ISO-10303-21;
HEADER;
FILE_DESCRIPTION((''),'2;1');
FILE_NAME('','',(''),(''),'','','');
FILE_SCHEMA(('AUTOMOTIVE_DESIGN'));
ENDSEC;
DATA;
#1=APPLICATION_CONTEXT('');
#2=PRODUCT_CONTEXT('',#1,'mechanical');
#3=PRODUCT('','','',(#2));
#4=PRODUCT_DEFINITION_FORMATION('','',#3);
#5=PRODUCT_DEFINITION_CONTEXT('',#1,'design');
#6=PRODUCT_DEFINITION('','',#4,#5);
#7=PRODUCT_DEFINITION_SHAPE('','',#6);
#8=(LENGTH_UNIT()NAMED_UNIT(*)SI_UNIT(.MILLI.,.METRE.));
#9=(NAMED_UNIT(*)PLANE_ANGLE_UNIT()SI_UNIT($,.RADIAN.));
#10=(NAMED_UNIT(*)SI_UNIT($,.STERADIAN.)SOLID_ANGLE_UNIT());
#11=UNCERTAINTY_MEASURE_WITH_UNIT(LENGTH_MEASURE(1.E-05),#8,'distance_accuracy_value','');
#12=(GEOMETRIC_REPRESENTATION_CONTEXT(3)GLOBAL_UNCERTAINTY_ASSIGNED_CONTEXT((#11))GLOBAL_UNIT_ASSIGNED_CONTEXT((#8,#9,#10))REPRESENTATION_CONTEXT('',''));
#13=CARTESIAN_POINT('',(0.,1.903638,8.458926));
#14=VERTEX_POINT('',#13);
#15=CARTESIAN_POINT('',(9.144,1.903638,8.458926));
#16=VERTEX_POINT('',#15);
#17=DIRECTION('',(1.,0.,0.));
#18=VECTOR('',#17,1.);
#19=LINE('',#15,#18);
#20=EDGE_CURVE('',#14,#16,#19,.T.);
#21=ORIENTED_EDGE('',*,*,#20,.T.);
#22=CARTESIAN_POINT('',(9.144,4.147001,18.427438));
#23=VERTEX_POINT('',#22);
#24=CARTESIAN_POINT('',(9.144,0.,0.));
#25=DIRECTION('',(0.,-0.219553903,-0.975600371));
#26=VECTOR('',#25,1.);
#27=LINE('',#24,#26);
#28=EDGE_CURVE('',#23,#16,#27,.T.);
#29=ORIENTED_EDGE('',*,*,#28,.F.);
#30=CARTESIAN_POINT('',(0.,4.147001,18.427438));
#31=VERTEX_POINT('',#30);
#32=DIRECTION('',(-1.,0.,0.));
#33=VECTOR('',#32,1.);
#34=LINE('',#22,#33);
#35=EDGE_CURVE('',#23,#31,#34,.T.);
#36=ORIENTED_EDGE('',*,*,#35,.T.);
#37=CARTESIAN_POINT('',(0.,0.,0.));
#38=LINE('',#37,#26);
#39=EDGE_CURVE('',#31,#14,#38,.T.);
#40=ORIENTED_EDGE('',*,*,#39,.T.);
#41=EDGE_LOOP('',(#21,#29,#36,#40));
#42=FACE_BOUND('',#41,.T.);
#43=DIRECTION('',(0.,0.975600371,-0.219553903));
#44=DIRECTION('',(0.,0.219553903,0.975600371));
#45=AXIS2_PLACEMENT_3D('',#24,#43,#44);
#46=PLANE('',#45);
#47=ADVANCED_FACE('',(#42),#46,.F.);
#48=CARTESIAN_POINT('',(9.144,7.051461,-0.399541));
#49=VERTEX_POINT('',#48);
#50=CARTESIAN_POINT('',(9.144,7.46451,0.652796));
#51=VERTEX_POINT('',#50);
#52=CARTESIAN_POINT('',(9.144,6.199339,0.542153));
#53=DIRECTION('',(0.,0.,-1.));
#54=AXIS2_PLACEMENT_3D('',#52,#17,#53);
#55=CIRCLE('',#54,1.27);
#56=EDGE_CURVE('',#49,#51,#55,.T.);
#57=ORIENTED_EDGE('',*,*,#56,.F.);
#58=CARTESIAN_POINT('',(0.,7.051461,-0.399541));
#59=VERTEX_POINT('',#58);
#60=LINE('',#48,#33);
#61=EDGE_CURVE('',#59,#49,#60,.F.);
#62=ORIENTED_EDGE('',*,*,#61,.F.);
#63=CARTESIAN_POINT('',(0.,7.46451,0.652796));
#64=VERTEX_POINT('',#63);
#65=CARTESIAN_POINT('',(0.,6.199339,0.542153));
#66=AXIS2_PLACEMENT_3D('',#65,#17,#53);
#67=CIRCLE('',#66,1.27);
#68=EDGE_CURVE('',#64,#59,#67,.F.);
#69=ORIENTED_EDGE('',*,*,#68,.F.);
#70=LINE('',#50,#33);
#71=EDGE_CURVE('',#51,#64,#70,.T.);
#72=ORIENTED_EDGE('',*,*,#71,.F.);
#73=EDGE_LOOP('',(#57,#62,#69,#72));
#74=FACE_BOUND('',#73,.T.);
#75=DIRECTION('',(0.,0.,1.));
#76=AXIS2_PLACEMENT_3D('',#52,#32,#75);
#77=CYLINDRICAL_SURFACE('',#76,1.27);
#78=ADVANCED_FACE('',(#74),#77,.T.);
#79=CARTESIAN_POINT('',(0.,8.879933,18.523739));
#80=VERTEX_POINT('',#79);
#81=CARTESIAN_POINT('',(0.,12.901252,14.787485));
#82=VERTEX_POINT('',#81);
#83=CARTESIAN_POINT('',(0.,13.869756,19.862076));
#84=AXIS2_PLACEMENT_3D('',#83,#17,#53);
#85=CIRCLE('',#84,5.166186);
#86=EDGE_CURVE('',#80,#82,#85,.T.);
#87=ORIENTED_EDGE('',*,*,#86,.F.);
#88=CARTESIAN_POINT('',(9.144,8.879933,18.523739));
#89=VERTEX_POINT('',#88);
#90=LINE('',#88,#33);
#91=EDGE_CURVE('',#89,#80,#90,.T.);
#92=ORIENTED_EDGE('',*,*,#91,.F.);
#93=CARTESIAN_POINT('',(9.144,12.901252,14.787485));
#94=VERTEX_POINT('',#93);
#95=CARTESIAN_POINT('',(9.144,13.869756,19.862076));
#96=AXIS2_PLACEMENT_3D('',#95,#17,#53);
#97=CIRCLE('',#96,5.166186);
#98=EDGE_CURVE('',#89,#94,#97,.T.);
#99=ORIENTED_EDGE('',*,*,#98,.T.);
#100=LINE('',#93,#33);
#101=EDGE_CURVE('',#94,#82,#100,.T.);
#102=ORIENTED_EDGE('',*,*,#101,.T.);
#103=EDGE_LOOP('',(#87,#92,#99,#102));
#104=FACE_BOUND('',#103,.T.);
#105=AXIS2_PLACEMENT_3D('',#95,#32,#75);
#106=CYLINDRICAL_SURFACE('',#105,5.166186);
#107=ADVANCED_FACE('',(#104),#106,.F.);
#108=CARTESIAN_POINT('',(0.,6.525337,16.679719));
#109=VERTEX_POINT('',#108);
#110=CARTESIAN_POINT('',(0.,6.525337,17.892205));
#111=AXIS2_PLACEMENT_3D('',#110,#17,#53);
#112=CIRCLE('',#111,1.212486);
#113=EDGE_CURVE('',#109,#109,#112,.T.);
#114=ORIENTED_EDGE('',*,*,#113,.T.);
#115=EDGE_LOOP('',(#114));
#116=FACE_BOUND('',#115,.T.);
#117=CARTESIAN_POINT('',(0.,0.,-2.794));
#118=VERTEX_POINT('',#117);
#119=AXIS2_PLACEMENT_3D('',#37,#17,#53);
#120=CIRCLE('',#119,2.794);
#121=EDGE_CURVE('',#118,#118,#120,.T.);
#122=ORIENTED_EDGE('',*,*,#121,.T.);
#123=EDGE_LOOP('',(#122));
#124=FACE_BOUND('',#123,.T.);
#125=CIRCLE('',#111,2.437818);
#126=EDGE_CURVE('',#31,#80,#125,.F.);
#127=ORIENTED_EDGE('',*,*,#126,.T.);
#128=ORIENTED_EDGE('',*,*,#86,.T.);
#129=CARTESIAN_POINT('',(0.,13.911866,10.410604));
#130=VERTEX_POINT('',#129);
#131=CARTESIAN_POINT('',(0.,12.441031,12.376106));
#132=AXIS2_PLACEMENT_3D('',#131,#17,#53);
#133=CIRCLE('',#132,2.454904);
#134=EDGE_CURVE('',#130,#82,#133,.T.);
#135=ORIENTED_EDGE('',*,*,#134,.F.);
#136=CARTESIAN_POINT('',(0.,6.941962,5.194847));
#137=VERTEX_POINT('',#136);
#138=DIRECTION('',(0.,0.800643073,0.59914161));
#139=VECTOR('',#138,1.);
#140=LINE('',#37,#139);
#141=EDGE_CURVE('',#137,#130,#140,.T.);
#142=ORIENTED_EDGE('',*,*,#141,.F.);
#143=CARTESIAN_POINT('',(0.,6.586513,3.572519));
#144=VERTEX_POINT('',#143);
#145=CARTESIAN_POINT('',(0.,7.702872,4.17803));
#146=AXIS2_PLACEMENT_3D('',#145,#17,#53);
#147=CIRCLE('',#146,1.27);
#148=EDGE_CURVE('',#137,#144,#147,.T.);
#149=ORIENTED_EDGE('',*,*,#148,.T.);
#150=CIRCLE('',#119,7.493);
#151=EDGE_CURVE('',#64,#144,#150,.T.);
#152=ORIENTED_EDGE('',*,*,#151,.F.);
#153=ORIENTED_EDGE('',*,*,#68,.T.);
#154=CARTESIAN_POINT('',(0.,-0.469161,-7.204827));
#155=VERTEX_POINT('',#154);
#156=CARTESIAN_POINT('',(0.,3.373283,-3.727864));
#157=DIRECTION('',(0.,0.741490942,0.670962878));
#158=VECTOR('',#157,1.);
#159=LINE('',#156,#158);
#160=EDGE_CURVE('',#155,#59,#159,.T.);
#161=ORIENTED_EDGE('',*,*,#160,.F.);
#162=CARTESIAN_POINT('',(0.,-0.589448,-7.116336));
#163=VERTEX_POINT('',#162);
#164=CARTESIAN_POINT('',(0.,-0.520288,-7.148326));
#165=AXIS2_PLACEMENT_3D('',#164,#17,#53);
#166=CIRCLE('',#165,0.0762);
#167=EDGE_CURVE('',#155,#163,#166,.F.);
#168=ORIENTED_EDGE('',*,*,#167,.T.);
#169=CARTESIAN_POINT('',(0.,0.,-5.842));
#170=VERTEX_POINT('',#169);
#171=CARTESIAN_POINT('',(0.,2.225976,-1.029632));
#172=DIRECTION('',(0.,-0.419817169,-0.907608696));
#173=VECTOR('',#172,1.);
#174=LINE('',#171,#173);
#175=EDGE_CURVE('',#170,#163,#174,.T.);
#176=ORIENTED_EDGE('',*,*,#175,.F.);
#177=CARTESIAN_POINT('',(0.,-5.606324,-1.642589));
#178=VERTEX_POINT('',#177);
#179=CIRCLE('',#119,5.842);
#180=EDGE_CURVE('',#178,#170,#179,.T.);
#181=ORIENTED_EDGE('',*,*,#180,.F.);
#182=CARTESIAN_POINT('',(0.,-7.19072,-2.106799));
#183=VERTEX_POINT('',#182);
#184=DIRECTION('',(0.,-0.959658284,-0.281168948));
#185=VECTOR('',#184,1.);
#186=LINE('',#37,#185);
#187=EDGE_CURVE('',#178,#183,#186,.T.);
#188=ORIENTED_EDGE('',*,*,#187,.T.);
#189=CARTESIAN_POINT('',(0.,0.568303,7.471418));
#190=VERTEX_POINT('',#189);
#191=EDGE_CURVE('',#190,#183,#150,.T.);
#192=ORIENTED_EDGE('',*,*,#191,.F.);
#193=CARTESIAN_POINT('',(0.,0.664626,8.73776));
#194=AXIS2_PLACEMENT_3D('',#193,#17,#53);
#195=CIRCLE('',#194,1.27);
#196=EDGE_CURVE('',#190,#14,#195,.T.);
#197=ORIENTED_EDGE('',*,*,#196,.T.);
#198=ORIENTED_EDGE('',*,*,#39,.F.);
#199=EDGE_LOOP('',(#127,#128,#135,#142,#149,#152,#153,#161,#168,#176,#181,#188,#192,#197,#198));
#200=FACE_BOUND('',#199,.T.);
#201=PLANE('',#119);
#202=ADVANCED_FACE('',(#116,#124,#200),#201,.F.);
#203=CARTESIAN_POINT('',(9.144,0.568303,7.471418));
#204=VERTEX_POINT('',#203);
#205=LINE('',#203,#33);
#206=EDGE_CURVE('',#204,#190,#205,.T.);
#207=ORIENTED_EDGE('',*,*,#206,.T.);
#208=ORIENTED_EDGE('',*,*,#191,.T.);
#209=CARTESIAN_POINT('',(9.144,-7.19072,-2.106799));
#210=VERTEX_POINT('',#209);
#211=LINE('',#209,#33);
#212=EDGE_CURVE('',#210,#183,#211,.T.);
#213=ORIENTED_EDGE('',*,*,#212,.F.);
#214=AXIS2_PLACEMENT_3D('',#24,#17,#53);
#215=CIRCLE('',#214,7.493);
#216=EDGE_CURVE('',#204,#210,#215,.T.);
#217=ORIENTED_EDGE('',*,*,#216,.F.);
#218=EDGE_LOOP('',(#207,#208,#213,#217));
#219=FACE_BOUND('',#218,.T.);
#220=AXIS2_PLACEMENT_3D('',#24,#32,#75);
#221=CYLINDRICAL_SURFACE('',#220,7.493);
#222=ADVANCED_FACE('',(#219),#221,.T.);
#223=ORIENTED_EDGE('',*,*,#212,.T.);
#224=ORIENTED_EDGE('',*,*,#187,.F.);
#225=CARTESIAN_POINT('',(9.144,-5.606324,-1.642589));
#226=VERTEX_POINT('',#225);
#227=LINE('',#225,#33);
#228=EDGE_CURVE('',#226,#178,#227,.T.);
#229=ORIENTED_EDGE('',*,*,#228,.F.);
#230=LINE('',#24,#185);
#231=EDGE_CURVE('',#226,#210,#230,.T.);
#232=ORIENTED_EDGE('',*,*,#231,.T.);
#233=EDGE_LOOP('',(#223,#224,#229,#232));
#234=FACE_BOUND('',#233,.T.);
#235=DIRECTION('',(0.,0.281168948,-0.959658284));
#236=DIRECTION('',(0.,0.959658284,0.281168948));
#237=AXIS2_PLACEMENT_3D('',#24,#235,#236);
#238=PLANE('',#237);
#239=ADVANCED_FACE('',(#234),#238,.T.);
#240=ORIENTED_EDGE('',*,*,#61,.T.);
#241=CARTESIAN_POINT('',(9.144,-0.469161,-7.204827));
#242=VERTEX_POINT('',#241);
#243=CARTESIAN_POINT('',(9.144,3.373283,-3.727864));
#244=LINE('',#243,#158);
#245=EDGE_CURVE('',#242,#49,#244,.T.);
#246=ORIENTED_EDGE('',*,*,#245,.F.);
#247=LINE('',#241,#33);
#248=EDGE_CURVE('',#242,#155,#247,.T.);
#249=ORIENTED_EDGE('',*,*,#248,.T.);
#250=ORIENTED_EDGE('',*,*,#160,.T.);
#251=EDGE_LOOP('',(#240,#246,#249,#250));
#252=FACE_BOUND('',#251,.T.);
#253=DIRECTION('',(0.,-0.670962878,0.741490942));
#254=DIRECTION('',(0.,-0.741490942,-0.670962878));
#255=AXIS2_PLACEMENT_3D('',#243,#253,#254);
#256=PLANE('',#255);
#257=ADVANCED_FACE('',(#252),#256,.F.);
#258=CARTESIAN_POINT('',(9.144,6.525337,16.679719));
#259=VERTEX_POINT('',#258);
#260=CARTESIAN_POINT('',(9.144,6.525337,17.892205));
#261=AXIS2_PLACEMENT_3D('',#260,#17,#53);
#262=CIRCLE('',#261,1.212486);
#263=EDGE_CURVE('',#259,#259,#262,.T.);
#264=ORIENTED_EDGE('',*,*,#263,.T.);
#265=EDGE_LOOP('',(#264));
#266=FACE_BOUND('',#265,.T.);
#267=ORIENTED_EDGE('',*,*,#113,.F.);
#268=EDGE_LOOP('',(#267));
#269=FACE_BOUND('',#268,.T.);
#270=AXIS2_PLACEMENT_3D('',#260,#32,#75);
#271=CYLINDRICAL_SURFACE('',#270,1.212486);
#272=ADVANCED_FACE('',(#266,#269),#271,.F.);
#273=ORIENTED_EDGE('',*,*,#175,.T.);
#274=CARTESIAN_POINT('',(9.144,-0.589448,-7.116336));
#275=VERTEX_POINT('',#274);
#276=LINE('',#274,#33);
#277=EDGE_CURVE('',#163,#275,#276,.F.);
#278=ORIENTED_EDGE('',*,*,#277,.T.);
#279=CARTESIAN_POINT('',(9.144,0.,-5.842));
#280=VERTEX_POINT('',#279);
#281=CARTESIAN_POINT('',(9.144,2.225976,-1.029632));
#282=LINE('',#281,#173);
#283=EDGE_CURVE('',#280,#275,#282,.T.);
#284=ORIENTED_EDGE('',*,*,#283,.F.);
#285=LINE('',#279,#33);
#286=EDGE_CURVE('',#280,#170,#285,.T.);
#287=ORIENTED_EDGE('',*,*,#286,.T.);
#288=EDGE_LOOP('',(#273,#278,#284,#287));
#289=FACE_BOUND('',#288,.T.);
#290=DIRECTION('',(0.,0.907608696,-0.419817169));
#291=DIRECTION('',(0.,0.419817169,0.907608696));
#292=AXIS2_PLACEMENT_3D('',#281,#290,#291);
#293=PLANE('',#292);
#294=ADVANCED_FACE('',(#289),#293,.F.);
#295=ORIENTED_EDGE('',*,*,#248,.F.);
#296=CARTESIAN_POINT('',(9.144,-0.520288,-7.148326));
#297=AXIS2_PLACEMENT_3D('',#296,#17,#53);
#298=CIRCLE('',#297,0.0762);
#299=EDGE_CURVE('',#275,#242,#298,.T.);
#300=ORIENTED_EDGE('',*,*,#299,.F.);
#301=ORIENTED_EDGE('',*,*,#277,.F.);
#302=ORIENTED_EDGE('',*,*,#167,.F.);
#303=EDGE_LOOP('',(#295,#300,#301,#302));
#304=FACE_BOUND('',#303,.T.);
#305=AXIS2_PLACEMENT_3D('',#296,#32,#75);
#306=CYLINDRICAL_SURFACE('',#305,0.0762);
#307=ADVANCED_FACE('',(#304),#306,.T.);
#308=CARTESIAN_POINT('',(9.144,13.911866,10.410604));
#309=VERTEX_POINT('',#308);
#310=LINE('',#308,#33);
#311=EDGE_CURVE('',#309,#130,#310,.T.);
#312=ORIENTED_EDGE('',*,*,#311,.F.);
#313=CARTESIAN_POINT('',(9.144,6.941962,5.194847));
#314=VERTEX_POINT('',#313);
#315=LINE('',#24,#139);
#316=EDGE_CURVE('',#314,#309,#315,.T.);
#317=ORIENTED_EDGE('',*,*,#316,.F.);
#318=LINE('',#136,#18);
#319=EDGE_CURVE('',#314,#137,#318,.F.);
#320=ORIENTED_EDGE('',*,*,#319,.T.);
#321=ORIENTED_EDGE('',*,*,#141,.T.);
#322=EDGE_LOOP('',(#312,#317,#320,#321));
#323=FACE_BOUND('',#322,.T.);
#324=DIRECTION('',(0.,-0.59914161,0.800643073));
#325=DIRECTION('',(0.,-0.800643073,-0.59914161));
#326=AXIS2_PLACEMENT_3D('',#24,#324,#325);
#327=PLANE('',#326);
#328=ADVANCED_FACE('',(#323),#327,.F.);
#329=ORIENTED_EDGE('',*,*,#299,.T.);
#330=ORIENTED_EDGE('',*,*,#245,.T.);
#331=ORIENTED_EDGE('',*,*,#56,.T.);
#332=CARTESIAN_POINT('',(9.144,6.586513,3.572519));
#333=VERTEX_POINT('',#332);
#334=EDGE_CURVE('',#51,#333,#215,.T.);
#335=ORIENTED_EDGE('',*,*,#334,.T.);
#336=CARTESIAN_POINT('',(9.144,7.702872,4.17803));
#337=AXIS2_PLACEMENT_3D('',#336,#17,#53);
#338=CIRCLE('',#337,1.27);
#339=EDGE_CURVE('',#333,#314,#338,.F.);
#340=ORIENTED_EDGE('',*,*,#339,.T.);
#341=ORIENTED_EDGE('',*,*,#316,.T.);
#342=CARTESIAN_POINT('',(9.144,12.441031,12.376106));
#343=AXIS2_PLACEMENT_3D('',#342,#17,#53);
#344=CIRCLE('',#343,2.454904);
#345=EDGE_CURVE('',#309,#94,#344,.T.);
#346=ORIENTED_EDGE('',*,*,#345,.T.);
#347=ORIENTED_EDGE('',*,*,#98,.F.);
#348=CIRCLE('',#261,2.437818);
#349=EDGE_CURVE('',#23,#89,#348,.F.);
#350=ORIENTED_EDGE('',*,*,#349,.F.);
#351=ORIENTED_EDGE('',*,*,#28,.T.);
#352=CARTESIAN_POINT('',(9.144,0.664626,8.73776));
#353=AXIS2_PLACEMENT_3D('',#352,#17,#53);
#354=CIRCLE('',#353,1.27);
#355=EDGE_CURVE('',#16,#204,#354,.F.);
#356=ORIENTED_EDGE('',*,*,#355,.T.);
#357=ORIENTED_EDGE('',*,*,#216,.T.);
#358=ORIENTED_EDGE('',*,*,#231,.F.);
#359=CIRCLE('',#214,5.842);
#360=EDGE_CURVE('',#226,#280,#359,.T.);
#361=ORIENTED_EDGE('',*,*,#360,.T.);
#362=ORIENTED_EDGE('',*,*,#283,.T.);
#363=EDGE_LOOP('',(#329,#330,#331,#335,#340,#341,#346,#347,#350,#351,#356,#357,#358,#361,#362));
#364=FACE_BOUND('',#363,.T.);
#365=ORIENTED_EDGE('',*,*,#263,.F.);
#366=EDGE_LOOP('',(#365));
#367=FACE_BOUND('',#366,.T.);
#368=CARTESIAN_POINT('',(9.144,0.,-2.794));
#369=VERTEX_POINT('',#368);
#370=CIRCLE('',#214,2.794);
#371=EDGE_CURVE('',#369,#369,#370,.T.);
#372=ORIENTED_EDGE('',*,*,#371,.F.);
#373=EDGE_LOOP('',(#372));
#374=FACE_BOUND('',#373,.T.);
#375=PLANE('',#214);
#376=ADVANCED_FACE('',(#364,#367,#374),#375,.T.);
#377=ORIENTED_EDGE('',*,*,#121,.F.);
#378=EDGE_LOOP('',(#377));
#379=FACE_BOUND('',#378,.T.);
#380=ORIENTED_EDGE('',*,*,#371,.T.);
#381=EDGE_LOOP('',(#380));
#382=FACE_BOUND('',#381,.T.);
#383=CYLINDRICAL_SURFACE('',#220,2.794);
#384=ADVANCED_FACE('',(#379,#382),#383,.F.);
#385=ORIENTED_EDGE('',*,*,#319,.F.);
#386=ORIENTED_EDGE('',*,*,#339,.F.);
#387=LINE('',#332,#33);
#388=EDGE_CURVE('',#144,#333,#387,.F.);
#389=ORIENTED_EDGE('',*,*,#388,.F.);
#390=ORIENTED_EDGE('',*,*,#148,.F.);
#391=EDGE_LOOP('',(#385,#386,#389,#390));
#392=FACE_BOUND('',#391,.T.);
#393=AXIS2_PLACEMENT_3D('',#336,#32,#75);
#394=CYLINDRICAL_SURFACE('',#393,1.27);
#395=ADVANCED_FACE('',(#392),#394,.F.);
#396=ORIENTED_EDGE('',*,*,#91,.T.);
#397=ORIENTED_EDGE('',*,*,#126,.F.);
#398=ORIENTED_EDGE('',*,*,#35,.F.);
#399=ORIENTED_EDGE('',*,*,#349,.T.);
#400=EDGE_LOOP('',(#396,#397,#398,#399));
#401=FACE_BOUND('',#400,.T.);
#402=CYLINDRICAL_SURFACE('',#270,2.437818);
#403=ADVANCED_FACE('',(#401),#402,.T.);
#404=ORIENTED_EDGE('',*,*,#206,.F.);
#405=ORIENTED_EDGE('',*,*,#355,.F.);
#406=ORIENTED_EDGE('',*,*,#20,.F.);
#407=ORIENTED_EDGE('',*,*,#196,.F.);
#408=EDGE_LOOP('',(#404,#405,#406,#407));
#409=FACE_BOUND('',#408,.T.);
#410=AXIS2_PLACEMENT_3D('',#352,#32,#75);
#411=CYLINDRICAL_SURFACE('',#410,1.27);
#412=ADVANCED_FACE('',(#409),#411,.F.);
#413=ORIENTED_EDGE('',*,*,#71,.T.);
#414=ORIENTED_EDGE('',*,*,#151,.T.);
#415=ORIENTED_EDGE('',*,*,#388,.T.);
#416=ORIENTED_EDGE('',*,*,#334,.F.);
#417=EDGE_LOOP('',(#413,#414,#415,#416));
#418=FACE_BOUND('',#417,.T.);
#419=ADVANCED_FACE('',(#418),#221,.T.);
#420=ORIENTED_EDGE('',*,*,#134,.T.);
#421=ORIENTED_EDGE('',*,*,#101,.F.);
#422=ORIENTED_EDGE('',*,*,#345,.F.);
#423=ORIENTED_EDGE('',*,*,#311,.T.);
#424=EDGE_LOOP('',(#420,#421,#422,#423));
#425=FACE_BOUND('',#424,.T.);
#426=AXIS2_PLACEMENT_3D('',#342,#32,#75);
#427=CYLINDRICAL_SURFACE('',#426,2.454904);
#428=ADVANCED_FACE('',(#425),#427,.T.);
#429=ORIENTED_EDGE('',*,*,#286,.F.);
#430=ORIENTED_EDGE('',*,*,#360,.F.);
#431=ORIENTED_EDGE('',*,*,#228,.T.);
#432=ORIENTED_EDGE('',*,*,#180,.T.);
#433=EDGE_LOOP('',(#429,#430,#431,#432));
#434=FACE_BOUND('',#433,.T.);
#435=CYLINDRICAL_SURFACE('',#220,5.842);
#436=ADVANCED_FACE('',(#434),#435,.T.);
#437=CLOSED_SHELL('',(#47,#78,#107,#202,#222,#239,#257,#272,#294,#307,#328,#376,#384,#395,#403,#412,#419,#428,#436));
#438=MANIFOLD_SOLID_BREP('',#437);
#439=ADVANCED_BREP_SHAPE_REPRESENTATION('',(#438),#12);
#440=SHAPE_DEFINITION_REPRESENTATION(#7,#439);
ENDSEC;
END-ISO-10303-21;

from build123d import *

# Parameters (mm, degrees)
SKETCH1_R           = 2.794
SKETCH1_R_2         = 1.212486465
BOSS_EXTRUDE1_DEPTH = 9.144
FILLET1_R           = 0.0762
FILLET2_R           = 1.27
FILLET3_R           = 1.27
FILLET4_R           = 1.27


with BuildPart() as part:
    # Sketch1 → Boss-Extrude1 (new body)
    with BuildSketch(Plane(origin=(0, 0, 0), x_dir=(0, 0, -1), z_dir=(1, 0, 0))):
        with BuildLine():
            Line((7.455728261, -0.746434927), (0, 7.493))
            ThreePointArc((0, 7.493), (-2.365682187, 7.109753638), (-4.489368086, 5.999218548))
            Line((-4.489368086, 5.999218548), (-10.410604044, 13.911866364))
            ThreePointArc((-10.410604044, 13.911866364), (-12.928407554, 14.83300033), (-14.787485141, 12.901251686))
            ThreePointArc((-14.787485141, 12.901251686), (-16.077348747, 10.353320901), (-18.523739382, 8.879932879))
            ThreePointArc((-18.523739382, 8.879932879), (-20.329518769, 6.475744872), (-18.427437803, 4.147001184))
            Line((-18.427437803, 4.147001184), (-7.310173579, 1.645117396))
            ThreePointArc((-7.310173579, 1.645117396), (-5.127063532, -5.464272005), (2.106798928, -7.190719524))
            Line((2.106798928, -7.190719524), (1.642588995, -5.606323697))
            ThreePointArc((1.642588995, -5.606323697), (4.675733574, -3.50235343), (5.842, 0))
            Line((5.842, 0), (7.455728261, -0.746434927))
        make_face()
        Circle(SKETCH1_R, mode=Mode.SUBTRACT)
        with Locations((-17.892205374, 6.525337206)):
            Circle(SKETCH1_R_2, mode=Mode.SUBTRACT)
    extrude(amount=BOSS_EXTRUDE1_DEPTH)

    # Fillet1
    fillet1_edges = [part.edges().sort_by_distance(p)[0] for p in [
        (4.572, -0.746434927, -7.455728261),
    ]]
    fillet(fillet1_edges, radius=FILLET1_R)

    # Fillet2
    fillet2_edges = [part.edges().sort_by_distance(p)[0] for p in [
        (4.572, 5.999218548, 4.489368086),
    ]]
    fillet(fillet2_edges, radius=FILLET2_R)

    # Fillet3
    fillet3_edges = [part.edges().sort_by_distance(p)[0] for p in [
        (4.572, 7.493, 0),
    ]]
    fillet(fillet3_edges, radius=FILLET3_R)

    # Fillet4
    fillet4_edges = [part.edges().sort_by_distance(p)[0] for p in [
        (4.572, 1.645117396, 7.310173579),
    ]]
    fillet(fillet4_edges, radius=FILLET4_R)


solid = part.part
